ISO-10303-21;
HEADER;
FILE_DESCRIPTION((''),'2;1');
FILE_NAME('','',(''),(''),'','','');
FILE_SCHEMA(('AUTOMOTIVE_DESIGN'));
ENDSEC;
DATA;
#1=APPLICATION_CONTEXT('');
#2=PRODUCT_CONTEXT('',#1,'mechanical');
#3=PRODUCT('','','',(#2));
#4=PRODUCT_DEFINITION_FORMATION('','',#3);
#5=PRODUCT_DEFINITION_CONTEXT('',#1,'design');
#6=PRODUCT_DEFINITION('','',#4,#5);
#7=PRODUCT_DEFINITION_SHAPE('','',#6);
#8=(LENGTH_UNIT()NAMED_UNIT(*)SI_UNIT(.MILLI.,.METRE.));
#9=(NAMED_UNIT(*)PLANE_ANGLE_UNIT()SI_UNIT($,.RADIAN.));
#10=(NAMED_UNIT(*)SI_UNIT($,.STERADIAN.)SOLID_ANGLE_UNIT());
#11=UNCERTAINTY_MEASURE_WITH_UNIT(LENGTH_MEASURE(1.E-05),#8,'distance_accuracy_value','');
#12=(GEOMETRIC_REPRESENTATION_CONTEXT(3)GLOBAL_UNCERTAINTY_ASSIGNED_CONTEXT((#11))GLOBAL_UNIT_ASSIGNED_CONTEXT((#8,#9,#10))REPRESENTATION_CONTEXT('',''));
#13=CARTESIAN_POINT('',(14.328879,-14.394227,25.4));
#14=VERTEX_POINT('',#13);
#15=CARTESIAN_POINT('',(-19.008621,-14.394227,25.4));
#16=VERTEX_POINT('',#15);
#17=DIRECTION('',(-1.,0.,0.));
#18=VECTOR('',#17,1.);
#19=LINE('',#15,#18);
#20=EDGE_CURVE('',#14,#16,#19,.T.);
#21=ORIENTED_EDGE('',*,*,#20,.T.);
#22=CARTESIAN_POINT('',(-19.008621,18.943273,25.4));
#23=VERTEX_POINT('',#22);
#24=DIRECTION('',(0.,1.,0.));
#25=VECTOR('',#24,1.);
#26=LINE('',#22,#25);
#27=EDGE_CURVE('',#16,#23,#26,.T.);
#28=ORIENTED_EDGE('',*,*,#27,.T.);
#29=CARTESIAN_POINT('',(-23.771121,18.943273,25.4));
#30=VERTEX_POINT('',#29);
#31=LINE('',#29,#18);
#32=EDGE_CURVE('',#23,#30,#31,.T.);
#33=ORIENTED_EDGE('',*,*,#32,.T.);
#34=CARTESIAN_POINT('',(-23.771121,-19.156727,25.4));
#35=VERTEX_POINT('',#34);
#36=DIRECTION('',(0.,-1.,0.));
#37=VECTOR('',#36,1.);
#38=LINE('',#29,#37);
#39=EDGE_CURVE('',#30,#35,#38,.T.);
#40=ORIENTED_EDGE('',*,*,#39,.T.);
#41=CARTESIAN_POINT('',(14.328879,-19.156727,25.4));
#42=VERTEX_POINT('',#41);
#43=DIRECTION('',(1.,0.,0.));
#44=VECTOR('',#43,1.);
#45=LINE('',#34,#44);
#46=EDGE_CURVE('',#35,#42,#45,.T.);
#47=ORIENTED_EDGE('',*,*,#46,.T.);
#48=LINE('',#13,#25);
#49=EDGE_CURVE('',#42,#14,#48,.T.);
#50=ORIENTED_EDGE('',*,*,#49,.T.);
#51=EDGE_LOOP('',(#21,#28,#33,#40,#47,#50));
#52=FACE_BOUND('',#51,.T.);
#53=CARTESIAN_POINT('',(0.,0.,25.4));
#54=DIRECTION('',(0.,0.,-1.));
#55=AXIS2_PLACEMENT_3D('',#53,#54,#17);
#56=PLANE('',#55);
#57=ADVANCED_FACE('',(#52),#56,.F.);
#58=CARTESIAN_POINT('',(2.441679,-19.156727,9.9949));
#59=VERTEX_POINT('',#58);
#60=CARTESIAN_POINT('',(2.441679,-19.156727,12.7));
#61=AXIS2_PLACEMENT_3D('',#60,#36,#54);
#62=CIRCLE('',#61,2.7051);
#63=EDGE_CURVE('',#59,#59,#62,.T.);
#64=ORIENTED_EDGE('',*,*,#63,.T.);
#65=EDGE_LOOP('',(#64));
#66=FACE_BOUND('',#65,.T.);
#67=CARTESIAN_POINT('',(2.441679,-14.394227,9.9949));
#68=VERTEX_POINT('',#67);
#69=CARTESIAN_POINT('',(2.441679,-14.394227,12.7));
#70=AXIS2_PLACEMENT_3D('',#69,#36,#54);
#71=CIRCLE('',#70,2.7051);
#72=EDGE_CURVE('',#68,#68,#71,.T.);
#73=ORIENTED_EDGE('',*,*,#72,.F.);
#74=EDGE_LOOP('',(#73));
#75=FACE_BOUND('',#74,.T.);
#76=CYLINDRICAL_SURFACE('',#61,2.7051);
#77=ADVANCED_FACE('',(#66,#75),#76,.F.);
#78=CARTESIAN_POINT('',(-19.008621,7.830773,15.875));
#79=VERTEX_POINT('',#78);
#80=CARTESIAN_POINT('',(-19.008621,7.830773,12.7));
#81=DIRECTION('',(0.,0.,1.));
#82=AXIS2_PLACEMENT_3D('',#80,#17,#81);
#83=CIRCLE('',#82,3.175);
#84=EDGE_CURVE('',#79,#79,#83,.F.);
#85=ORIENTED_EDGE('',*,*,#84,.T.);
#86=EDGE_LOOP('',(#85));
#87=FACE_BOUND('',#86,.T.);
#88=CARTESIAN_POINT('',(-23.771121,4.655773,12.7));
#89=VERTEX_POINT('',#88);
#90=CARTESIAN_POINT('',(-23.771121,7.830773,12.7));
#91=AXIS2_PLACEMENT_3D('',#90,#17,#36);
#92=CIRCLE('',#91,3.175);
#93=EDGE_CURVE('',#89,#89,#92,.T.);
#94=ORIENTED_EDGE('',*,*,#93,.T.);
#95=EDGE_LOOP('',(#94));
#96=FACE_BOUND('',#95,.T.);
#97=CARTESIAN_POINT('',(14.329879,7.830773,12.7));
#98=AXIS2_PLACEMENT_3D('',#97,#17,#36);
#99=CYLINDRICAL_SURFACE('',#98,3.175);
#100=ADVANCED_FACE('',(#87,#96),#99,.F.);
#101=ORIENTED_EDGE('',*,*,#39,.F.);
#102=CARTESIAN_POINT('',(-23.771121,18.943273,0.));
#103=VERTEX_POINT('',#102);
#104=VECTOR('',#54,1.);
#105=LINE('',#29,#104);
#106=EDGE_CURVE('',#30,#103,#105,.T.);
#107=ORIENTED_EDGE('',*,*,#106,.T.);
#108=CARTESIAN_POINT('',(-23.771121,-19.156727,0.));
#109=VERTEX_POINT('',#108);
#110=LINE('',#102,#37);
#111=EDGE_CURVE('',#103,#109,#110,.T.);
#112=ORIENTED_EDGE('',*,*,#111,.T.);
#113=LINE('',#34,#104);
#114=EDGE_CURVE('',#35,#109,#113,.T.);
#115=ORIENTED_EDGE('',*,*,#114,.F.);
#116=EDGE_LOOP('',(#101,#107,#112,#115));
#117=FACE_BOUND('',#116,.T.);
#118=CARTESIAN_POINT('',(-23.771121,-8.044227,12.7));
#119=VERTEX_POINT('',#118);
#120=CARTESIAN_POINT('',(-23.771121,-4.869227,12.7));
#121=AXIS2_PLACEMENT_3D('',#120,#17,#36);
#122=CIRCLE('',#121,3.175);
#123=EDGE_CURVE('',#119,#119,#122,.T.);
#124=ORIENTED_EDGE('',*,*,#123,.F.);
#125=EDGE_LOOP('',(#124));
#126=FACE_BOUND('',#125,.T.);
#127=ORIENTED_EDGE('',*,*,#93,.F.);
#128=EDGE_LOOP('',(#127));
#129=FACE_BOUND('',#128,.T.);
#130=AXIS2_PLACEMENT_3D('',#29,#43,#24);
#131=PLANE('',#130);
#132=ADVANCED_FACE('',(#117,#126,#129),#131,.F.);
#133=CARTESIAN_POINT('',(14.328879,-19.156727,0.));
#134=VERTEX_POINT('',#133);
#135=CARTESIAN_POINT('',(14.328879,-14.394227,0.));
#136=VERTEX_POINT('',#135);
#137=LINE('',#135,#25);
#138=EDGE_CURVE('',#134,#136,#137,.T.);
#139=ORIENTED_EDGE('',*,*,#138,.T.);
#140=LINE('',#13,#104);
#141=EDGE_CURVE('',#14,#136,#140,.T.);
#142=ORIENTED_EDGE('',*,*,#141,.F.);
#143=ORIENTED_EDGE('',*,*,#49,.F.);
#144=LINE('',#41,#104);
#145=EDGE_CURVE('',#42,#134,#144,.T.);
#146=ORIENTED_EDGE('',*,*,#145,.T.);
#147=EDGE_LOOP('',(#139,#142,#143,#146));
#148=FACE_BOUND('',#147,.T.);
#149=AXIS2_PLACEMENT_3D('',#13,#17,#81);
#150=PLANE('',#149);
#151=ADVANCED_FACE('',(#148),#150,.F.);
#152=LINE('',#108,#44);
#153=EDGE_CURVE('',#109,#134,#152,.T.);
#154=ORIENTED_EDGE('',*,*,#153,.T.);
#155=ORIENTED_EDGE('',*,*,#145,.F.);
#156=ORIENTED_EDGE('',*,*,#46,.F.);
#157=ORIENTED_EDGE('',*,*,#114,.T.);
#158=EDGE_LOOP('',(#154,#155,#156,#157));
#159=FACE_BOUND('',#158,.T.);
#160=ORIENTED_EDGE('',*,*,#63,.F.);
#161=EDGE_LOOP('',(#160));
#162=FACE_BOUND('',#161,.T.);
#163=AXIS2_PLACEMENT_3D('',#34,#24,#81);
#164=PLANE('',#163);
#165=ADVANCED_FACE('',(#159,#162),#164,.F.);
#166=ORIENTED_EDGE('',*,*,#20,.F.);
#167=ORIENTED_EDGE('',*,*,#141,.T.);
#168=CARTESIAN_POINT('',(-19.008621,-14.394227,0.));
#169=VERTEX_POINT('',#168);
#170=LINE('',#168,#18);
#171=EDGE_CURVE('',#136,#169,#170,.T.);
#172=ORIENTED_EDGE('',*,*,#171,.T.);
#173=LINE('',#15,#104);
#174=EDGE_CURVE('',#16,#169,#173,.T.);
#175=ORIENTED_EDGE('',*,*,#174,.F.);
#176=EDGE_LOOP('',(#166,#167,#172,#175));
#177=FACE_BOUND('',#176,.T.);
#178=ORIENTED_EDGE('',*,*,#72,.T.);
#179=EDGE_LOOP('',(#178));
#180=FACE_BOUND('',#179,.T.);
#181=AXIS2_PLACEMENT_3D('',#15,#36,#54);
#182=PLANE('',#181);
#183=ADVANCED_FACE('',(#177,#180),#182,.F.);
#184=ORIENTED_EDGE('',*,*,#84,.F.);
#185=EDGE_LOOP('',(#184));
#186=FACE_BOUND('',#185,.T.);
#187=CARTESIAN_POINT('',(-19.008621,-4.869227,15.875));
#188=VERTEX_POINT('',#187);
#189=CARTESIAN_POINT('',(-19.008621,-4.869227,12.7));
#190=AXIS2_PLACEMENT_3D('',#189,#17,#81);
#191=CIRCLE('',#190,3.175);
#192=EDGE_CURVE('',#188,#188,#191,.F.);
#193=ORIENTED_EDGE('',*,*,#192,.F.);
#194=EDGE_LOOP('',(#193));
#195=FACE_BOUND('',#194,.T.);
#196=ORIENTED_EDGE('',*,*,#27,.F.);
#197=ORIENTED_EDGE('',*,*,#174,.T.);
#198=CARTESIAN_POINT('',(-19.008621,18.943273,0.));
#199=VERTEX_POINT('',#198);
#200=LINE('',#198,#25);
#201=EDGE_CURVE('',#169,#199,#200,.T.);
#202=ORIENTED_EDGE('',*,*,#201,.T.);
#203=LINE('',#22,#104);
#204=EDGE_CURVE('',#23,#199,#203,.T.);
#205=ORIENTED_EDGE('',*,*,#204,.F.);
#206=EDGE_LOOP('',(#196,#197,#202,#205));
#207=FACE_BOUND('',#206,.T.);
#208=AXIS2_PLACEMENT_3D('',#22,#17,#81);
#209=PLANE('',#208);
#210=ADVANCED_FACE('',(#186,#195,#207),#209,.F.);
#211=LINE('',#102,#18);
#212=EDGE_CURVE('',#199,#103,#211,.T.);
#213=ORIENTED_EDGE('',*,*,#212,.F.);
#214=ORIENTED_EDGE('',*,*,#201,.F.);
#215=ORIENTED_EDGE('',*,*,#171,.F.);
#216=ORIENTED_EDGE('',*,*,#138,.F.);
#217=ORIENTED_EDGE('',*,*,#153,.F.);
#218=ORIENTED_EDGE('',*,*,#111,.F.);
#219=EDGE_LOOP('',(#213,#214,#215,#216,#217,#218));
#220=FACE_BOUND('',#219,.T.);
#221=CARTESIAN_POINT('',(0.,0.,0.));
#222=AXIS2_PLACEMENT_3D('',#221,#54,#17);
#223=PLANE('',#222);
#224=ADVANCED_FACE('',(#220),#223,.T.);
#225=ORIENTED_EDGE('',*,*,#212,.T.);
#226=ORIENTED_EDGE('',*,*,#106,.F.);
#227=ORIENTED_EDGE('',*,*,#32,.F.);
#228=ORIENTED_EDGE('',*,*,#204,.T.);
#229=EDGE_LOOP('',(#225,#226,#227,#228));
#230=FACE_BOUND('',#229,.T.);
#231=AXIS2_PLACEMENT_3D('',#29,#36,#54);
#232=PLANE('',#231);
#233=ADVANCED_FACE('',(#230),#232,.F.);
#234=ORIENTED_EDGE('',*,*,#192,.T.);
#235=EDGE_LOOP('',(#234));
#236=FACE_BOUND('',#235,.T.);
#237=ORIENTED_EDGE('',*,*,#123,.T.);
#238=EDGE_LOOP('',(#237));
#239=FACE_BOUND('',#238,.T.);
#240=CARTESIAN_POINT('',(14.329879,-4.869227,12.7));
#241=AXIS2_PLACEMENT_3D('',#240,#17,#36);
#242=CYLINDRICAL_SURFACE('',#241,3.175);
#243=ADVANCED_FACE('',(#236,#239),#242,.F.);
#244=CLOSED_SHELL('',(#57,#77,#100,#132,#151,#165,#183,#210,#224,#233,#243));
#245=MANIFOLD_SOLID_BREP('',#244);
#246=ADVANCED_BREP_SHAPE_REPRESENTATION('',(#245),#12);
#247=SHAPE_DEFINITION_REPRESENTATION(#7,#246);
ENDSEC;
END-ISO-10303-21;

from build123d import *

# Parameters (mm, degrees)
BOSS_EXTRUDE1_DEPTH     = 25.4
CUT_EXTRUDE1_REACH      = 51.636
SKETCH2_R               = 3.175
F_1_4_28_TAPPED_HOLE1_D = 5.4102


with BuildPart() as part:
    # Sketch1 → Boss-Extrude1 (new body)
    with BuildSketch(Plane.XY):
        Polygon((-23.771121012, 18.943273067), (-23.771121012, -19.156726933), (14.328878988, -19.156726933), (14.328878988, -14.394226933), (-19.008621012, -14.394226933), (-19.008621012, 18.943273067), align=None)
    extrude(amount=BOSS_EXTRUDE1_DEPTH)

    # Sketch2 → Cut-Extrude1 (cut, up to next)
    with BuildSketch(Plane.ZY.offset(23.771121012), mode=Mode.PRIVATE) as cut_extrude1_sk1:
        with Locations(Location((12.7, 7.830773067, 0), (0, 0, 270))):
            Circle(SKETCH2_R)
    cut_extrude1_tool1 = extrude(cut_extrude1_sk1.sketch, amount=-CUT_EXTRUDE1_REACH, mode=Mode.PRIVATE) & part.part
    # Sketch2 → Cut-Extrude1 (cut, up to next)
    with BuildSketch(Plane.ZY.offset(23.771121012), mode=Mode.PRIVATE) as cut_extrude1_sk2:
        with Locations(Location((12.7, -4.869226933, 0), (0, 0, 270))):
            Circle(SKETCH2_R)
    cut_extrude1_tool2 = extrude(cut_extrude1_sk2.sketch, amount=-CUT_EXTRUDE1_REACH, mode=Mode.PRIVATE) & part.part
    add(cut_extrude1_tool1.solids().sort_by_distance((-23.771121, 7.830773, 12.7))[0], mode=Mode.SUBTRACT)
    add(cut_extrude1_tool2.solids().sort_by_distance((-23.771121, -4.869227, 12.7))[0], mode=Mode.SUBTRACT)

    # 1/4-28 Tapped Hole1 (through all)
    with Locations(Plane(origin=(0, -19.156726933, 0), x_dir=(-1, 0, 0), z_dir=(0, -1, 0))):
        with Locations((-2.441678988, -12.7)):
            Hole(F_1_4_28_TAPPED_HOLE1_D / 2)


solid = part.part
